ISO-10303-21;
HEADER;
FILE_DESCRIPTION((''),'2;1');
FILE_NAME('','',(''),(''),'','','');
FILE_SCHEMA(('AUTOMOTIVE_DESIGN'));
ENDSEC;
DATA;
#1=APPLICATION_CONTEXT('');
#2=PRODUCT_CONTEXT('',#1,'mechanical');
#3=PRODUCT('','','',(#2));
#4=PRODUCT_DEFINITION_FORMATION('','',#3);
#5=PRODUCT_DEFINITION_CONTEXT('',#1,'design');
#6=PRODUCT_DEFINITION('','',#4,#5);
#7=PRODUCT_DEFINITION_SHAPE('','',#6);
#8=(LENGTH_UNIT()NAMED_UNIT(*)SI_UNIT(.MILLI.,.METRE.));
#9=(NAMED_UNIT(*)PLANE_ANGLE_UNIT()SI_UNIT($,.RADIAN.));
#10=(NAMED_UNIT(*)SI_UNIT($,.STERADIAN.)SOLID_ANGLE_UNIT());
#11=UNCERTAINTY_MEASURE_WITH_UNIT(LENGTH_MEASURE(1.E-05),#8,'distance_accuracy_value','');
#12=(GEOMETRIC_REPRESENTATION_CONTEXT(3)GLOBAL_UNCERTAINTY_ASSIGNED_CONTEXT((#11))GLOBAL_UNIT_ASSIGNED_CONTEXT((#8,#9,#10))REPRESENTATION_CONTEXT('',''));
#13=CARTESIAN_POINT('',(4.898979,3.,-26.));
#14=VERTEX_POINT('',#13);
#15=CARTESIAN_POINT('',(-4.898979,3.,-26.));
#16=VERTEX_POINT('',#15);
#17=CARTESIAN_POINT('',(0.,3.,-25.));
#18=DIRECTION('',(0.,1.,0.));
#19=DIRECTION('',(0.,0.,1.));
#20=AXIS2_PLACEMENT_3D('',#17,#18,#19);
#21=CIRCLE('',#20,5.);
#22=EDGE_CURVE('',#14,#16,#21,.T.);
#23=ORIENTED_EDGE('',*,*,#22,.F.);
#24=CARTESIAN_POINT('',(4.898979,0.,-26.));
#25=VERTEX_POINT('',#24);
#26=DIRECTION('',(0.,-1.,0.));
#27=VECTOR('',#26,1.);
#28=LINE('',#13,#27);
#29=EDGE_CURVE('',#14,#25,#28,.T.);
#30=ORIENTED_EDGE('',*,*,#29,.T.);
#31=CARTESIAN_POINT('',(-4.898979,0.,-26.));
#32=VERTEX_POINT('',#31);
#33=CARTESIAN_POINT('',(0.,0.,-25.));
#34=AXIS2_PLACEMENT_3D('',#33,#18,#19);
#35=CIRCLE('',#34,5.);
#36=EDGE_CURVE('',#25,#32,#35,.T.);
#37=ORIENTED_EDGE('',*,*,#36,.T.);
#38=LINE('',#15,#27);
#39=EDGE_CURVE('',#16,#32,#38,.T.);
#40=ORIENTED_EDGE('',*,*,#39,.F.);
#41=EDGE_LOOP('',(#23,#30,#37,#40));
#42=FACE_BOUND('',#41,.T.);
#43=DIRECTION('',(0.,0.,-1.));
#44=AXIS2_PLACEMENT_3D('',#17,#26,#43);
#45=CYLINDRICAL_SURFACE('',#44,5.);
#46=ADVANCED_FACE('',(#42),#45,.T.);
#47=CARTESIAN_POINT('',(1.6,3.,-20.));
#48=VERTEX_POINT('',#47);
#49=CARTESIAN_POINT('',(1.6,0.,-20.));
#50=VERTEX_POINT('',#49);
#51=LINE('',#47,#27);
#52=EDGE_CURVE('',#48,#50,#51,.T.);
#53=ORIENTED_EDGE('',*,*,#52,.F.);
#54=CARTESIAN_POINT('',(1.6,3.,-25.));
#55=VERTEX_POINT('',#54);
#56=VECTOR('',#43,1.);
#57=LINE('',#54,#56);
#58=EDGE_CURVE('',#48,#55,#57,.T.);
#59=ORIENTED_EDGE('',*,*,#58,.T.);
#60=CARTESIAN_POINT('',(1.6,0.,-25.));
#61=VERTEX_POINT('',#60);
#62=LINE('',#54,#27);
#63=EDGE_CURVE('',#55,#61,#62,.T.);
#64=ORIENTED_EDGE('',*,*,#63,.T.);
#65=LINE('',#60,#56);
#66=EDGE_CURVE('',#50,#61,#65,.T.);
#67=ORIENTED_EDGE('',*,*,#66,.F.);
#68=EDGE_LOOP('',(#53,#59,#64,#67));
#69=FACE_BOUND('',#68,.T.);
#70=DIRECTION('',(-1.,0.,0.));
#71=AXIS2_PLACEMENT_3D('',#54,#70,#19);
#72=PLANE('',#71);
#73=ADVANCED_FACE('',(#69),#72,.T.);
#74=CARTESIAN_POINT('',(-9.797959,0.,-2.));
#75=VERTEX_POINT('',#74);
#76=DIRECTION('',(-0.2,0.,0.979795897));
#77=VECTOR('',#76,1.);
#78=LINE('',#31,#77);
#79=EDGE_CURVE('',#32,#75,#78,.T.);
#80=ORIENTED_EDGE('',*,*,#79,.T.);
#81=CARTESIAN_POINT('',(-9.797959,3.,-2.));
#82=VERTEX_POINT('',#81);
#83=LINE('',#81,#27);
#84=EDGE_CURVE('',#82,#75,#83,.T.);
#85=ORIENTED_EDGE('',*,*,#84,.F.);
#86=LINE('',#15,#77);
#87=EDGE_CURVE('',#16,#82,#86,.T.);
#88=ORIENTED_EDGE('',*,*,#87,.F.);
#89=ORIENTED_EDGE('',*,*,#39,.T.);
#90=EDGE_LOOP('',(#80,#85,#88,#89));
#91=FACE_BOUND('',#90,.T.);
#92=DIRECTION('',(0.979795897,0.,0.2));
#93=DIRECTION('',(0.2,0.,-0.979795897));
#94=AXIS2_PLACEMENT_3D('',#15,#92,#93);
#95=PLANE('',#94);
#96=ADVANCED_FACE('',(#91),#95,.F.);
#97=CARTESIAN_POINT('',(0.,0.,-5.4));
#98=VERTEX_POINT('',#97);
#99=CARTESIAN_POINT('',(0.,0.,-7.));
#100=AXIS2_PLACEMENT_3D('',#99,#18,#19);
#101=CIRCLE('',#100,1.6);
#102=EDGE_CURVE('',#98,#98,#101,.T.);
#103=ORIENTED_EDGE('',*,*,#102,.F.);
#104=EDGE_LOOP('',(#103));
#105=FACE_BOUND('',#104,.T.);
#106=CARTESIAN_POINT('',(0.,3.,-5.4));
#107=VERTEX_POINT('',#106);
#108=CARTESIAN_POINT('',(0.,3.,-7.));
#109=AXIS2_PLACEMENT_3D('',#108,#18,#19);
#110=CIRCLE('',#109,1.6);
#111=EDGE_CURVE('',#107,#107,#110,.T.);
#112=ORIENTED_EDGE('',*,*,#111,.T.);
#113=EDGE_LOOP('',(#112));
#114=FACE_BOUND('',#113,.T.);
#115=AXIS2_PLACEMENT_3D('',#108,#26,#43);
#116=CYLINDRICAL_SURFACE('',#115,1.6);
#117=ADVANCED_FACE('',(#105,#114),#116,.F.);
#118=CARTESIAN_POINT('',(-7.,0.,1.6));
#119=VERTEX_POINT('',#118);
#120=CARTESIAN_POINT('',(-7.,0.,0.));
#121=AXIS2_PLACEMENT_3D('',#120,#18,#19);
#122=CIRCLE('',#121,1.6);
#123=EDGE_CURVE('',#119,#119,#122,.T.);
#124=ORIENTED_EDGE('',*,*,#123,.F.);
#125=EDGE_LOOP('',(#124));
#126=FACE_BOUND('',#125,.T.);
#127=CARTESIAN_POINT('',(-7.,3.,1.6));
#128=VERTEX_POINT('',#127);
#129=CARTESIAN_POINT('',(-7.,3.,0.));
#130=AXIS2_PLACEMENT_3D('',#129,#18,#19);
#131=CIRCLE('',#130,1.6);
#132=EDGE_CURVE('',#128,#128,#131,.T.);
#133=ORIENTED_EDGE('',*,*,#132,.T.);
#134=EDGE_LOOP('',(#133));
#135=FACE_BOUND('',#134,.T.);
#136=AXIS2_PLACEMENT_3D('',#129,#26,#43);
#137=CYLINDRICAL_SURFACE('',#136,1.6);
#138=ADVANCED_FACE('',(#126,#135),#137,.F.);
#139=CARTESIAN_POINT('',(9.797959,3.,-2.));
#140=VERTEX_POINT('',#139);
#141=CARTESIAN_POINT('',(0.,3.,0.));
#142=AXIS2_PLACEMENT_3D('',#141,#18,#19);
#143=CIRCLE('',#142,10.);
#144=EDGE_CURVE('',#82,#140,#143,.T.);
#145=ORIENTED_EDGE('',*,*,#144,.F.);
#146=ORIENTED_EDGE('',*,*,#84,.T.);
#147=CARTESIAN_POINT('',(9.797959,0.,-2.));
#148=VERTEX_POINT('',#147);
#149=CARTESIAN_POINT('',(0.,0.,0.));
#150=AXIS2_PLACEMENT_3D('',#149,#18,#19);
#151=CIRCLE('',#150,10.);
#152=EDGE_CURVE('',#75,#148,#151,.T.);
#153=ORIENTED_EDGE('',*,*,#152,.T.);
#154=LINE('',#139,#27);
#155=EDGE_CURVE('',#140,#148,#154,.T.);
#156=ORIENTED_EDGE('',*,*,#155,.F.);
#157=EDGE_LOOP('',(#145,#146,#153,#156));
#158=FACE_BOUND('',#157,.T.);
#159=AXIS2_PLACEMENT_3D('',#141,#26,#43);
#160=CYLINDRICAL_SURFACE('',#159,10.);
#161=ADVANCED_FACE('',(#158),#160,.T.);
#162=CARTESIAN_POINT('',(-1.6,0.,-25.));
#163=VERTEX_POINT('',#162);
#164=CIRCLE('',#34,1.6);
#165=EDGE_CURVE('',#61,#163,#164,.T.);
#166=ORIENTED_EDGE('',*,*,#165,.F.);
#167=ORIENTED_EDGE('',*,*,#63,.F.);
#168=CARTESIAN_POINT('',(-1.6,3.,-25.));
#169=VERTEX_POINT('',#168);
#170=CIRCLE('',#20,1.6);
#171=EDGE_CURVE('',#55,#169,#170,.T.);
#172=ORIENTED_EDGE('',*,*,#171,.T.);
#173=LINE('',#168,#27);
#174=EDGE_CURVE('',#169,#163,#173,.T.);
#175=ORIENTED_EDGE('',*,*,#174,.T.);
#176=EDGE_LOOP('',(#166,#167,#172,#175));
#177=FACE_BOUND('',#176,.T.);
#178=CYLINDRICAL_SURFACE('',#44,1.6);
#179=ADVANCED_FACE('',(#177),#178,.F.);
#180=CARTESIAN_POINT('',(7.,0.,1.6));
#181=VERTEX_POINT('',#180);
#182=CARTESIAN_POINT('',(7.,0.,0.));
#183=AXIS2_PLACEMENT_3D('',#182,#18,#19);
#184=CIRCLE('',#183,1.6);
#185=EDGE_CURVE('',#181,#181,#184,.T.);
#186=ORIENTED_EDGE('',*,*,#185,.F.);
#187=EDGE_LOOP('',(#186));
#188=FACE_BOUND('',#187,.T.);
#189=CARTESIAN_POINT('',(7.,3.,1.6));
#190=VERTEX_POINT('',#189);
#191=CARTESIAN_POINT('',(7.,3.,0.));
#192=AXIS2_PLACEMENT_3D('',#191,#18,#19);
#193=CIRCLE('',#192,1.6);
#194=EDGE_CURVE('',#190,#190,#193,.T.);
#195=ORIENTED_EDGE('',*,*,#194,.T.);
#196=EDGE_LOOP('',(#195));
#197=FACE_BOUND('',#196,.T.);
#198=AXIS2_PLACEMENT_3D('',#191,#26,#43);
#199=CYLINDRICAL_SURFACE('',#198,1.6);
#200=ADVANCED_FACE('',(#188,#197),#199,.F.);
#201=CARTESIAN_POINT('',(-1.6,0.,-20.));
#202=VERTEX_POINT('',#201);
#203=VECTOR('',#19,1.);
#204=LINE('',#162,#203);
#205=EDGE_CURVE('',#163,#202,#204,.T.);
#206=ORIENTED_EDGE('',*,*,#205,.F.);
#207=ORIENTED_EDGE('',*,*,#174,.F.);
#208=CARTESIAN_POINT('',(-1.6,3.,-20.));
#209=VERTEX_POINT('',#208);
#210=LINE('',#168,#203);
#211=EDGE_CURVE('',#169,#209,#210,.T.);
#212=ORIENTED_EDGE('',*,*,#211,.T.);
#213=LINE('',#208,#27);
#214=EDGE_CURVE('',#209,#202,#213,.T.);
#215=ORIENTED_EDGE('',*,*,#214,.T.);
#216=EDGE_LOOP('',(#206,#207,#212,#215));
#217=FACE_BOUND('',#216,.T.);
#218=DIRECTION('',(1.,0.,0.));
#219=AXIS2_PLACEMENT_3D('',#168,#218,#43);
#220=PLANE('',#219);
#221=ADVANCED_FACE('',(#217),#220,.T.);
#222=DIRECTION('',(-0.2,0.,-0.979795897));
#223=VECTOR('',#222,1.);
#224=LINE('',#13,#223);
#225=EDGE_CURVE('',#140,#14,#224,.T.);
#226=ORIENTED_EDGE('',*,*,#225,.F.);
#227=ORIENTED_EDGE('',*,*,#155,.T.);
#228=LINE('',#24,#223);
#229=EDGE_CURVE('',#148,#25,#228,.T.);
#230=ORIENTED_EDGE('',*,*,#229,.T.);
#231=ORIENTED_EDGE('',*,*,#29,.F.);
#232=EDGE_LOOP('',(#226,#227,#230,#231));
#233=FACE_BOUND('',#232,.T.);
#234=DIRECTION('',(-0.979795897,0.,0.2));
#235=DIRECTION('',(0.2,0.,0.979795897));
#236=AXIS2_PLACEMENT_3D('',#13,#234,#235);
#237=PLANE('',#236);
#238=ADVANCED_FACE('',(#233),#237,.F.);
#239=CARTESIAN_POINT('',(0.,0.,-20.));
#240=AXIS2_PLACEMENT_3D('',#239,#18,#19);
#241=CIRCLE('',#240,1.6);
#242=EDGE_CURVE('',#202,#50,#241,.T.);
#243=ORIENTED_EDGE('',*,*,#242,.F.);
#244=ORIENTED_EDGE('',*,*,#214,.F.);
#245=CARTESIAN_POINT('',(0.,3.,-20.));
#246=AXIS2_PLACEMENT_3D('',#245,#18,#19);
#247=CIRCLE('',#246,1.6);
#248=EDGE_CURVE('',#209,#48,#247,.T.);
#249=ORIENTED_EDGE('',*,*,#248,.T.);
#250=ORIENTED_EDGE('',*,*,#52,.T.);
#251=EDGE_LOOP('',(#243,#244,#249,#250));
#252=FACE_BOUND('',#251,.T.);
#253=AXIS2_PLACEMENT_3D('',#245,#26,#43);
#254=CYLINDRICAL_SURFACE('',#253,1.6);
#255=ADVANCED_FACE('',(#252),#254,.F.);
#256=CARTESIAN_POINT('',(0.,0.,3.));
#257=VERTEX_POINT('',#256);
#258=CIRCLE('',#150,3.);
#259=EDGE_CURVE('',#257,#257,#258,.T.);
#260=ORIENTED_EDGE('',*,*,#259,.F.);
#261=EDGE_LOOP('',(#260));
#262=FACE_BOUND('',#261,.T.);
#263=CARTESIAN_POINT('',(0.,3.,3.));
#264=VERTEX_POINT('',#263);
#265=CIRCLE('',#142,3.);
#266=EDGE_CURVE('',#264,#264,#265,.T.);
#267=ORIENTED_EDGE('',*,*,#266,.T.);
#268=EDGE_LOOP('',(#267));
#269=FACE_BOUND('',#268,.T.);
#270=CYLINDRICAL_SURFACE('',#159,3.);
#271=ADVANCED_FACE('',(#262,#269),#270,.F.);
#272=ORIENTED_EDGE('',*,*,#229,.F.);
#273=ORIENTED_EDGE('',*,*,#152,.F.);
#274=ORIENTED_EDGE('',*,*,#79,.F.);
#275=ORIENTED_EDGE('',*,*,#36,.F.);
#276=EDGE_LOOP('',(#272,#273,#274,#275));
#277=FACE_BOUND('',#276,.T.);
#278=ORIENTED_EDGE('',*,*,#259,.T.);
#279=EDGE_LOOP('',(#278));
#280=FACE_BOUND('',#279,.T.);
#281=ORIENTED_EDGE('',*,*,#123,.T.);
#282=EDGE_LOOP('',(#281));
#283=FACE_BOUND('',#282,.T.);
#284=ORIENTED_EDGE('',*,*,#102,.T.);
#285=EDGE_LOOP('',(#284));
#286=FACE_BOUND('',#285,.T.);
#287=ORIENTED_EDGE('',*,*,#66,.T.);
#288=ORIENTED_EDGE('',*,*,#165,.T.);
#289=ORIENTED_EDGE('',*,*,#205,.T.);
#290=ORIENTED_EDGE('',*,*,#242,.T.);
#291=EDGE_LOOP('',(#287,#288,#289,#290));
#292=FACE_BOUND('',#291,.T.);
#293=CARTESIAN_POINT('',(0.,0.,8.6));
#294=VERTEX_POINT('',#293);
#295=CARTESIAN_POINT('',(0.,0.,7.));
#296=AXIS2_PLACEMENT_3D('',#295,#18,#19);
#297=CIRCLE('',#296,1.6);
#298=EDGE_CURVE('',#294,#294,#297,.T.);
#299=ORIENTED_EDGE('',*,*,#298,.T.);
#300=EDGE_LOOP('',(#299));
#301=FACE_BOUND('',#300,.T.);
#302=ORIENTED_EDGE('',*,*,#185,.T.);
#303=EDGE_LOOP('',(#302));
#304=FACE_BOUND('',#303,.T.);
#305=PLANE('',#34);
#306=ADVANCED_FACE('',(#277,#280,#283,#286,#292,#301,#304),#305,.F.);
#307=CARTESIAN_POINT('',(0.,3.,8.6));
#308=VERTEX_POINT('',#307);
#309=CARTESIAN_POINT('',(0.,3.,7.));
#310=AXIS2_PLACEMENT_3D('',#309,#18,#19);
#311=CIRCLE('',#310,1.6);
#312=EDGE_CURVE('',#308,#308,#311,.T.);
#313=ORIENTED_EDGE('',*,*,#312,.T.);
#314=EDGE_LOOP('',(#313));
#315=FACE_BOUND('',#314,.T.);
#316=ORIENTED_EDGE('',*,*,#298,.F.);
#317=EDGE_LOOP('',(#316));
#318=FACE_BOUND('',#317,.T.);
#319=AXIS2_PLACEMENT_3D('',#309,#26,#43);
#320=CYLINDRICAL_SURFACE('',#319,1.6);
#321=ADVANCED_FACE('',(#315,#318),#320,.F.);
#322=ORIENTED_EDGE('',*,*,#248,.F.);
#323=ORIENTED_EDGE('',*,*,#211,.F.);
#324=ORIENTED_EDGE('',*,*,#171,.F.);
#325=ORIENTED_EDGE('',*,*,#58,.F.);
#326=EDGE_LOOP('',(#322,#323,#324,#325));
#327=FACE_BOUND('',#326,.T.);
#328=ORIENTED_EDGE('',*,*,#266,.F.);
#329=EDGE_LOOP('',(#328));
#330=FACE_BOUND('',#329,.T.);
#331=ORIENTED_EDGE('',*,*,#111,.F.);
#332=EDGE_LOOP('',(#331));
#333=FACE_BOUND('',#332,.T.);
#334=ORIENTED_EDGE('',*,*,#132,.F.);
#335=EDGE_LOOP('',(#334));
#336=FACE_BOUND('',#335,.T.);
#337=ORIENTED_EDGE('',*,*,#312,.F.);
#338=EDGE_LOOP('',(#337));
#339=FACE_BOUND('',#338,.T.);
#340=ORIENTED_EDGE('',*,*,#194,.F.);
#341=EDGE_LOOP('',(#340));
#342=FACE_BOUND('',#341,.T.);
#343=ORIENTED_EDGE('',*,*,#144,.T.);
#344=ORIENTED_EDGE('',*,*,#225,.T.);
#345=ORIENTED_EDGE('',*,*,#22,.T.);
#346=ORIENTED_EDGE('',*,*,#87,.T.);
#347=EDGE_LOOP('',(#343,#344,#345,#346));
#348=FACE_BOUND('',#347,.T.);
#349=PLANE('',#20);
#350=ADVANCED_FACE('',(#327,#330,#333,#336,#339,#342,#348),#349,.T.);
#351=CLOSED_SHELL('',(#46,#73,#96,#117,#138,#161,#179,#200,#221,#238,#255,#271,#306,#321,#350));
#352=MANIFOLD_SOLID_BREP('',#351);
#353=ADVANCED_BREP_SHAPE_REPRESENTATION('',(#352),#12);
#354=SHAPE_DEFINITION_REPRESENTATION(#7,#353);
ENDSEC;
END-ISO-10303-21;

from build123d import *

# Parameters (mm, degrees)
SKETCH1_R           = 3
SKETCH1_R_2         = 1.6
BOSS_EXTRUDE1_DEPTH = 3


with BuildPart() as part:
    # Sketch1 → Boss-Extrude1 (new body)
    with BuildSketch(Plane(origin=(0, 0, 0), x_dir=(1, 0, 0), z_dir=(0, 1, 0))):
        with BuildLine():
            Line((-4.898979486, 26), (-9.797958971, 2))
            ThreePointArc((-9.797958971, 2), (0, -10), (9.797958971, 2))
            Line((9.797958971, 2), (4.898979486, 26))
            ThreePointArc((4.898979486, 26), (0, 30), (-4.898979486, 26))
        make_face()
        with Locations(Location((0, 0, 0), (0, 0, 270))):
            Circle(SKETCH1_R, mode=Mode.SUBTRACT)
        with Locations(Location((0, 7, 0), (0, 0, 270))):
            Circle(SKETCH1_R_2, mode=Mode.SUBTRACT)
        with Locations(Location((7, 0, 0), (0, 0, 270))):
            Circle(SKETCH1_R_2, mode=Mode.SUBTRACT)
        with Locations(Location((0, -7, 0), (0, 0, 270))):
            Circle(SKETCH1_R_2, mode=Mode.SUBTRACT)
        with Locations(Location((-7, 0, 0), (0, 0, 270))):
            Circle(SKETCH1_R_2, mode=Mode.SUBTRACT)
        with BuildLine():
            Line((1.6, 25), (1.6, 20))
            ThreePointArc((1.6, 20), (0, 18.4), (-1.6, 20))
            Line((-1.6, 20), (-1.6, 25))
            ThreePointArc((-1.6, 25), (0, 26.6), (1.6, 25))
        make_face(mode=Mode.SUBTRACT)
    extrude(amount=BOSS_EXTRUDE1_DEPTH)


solid = part.part
